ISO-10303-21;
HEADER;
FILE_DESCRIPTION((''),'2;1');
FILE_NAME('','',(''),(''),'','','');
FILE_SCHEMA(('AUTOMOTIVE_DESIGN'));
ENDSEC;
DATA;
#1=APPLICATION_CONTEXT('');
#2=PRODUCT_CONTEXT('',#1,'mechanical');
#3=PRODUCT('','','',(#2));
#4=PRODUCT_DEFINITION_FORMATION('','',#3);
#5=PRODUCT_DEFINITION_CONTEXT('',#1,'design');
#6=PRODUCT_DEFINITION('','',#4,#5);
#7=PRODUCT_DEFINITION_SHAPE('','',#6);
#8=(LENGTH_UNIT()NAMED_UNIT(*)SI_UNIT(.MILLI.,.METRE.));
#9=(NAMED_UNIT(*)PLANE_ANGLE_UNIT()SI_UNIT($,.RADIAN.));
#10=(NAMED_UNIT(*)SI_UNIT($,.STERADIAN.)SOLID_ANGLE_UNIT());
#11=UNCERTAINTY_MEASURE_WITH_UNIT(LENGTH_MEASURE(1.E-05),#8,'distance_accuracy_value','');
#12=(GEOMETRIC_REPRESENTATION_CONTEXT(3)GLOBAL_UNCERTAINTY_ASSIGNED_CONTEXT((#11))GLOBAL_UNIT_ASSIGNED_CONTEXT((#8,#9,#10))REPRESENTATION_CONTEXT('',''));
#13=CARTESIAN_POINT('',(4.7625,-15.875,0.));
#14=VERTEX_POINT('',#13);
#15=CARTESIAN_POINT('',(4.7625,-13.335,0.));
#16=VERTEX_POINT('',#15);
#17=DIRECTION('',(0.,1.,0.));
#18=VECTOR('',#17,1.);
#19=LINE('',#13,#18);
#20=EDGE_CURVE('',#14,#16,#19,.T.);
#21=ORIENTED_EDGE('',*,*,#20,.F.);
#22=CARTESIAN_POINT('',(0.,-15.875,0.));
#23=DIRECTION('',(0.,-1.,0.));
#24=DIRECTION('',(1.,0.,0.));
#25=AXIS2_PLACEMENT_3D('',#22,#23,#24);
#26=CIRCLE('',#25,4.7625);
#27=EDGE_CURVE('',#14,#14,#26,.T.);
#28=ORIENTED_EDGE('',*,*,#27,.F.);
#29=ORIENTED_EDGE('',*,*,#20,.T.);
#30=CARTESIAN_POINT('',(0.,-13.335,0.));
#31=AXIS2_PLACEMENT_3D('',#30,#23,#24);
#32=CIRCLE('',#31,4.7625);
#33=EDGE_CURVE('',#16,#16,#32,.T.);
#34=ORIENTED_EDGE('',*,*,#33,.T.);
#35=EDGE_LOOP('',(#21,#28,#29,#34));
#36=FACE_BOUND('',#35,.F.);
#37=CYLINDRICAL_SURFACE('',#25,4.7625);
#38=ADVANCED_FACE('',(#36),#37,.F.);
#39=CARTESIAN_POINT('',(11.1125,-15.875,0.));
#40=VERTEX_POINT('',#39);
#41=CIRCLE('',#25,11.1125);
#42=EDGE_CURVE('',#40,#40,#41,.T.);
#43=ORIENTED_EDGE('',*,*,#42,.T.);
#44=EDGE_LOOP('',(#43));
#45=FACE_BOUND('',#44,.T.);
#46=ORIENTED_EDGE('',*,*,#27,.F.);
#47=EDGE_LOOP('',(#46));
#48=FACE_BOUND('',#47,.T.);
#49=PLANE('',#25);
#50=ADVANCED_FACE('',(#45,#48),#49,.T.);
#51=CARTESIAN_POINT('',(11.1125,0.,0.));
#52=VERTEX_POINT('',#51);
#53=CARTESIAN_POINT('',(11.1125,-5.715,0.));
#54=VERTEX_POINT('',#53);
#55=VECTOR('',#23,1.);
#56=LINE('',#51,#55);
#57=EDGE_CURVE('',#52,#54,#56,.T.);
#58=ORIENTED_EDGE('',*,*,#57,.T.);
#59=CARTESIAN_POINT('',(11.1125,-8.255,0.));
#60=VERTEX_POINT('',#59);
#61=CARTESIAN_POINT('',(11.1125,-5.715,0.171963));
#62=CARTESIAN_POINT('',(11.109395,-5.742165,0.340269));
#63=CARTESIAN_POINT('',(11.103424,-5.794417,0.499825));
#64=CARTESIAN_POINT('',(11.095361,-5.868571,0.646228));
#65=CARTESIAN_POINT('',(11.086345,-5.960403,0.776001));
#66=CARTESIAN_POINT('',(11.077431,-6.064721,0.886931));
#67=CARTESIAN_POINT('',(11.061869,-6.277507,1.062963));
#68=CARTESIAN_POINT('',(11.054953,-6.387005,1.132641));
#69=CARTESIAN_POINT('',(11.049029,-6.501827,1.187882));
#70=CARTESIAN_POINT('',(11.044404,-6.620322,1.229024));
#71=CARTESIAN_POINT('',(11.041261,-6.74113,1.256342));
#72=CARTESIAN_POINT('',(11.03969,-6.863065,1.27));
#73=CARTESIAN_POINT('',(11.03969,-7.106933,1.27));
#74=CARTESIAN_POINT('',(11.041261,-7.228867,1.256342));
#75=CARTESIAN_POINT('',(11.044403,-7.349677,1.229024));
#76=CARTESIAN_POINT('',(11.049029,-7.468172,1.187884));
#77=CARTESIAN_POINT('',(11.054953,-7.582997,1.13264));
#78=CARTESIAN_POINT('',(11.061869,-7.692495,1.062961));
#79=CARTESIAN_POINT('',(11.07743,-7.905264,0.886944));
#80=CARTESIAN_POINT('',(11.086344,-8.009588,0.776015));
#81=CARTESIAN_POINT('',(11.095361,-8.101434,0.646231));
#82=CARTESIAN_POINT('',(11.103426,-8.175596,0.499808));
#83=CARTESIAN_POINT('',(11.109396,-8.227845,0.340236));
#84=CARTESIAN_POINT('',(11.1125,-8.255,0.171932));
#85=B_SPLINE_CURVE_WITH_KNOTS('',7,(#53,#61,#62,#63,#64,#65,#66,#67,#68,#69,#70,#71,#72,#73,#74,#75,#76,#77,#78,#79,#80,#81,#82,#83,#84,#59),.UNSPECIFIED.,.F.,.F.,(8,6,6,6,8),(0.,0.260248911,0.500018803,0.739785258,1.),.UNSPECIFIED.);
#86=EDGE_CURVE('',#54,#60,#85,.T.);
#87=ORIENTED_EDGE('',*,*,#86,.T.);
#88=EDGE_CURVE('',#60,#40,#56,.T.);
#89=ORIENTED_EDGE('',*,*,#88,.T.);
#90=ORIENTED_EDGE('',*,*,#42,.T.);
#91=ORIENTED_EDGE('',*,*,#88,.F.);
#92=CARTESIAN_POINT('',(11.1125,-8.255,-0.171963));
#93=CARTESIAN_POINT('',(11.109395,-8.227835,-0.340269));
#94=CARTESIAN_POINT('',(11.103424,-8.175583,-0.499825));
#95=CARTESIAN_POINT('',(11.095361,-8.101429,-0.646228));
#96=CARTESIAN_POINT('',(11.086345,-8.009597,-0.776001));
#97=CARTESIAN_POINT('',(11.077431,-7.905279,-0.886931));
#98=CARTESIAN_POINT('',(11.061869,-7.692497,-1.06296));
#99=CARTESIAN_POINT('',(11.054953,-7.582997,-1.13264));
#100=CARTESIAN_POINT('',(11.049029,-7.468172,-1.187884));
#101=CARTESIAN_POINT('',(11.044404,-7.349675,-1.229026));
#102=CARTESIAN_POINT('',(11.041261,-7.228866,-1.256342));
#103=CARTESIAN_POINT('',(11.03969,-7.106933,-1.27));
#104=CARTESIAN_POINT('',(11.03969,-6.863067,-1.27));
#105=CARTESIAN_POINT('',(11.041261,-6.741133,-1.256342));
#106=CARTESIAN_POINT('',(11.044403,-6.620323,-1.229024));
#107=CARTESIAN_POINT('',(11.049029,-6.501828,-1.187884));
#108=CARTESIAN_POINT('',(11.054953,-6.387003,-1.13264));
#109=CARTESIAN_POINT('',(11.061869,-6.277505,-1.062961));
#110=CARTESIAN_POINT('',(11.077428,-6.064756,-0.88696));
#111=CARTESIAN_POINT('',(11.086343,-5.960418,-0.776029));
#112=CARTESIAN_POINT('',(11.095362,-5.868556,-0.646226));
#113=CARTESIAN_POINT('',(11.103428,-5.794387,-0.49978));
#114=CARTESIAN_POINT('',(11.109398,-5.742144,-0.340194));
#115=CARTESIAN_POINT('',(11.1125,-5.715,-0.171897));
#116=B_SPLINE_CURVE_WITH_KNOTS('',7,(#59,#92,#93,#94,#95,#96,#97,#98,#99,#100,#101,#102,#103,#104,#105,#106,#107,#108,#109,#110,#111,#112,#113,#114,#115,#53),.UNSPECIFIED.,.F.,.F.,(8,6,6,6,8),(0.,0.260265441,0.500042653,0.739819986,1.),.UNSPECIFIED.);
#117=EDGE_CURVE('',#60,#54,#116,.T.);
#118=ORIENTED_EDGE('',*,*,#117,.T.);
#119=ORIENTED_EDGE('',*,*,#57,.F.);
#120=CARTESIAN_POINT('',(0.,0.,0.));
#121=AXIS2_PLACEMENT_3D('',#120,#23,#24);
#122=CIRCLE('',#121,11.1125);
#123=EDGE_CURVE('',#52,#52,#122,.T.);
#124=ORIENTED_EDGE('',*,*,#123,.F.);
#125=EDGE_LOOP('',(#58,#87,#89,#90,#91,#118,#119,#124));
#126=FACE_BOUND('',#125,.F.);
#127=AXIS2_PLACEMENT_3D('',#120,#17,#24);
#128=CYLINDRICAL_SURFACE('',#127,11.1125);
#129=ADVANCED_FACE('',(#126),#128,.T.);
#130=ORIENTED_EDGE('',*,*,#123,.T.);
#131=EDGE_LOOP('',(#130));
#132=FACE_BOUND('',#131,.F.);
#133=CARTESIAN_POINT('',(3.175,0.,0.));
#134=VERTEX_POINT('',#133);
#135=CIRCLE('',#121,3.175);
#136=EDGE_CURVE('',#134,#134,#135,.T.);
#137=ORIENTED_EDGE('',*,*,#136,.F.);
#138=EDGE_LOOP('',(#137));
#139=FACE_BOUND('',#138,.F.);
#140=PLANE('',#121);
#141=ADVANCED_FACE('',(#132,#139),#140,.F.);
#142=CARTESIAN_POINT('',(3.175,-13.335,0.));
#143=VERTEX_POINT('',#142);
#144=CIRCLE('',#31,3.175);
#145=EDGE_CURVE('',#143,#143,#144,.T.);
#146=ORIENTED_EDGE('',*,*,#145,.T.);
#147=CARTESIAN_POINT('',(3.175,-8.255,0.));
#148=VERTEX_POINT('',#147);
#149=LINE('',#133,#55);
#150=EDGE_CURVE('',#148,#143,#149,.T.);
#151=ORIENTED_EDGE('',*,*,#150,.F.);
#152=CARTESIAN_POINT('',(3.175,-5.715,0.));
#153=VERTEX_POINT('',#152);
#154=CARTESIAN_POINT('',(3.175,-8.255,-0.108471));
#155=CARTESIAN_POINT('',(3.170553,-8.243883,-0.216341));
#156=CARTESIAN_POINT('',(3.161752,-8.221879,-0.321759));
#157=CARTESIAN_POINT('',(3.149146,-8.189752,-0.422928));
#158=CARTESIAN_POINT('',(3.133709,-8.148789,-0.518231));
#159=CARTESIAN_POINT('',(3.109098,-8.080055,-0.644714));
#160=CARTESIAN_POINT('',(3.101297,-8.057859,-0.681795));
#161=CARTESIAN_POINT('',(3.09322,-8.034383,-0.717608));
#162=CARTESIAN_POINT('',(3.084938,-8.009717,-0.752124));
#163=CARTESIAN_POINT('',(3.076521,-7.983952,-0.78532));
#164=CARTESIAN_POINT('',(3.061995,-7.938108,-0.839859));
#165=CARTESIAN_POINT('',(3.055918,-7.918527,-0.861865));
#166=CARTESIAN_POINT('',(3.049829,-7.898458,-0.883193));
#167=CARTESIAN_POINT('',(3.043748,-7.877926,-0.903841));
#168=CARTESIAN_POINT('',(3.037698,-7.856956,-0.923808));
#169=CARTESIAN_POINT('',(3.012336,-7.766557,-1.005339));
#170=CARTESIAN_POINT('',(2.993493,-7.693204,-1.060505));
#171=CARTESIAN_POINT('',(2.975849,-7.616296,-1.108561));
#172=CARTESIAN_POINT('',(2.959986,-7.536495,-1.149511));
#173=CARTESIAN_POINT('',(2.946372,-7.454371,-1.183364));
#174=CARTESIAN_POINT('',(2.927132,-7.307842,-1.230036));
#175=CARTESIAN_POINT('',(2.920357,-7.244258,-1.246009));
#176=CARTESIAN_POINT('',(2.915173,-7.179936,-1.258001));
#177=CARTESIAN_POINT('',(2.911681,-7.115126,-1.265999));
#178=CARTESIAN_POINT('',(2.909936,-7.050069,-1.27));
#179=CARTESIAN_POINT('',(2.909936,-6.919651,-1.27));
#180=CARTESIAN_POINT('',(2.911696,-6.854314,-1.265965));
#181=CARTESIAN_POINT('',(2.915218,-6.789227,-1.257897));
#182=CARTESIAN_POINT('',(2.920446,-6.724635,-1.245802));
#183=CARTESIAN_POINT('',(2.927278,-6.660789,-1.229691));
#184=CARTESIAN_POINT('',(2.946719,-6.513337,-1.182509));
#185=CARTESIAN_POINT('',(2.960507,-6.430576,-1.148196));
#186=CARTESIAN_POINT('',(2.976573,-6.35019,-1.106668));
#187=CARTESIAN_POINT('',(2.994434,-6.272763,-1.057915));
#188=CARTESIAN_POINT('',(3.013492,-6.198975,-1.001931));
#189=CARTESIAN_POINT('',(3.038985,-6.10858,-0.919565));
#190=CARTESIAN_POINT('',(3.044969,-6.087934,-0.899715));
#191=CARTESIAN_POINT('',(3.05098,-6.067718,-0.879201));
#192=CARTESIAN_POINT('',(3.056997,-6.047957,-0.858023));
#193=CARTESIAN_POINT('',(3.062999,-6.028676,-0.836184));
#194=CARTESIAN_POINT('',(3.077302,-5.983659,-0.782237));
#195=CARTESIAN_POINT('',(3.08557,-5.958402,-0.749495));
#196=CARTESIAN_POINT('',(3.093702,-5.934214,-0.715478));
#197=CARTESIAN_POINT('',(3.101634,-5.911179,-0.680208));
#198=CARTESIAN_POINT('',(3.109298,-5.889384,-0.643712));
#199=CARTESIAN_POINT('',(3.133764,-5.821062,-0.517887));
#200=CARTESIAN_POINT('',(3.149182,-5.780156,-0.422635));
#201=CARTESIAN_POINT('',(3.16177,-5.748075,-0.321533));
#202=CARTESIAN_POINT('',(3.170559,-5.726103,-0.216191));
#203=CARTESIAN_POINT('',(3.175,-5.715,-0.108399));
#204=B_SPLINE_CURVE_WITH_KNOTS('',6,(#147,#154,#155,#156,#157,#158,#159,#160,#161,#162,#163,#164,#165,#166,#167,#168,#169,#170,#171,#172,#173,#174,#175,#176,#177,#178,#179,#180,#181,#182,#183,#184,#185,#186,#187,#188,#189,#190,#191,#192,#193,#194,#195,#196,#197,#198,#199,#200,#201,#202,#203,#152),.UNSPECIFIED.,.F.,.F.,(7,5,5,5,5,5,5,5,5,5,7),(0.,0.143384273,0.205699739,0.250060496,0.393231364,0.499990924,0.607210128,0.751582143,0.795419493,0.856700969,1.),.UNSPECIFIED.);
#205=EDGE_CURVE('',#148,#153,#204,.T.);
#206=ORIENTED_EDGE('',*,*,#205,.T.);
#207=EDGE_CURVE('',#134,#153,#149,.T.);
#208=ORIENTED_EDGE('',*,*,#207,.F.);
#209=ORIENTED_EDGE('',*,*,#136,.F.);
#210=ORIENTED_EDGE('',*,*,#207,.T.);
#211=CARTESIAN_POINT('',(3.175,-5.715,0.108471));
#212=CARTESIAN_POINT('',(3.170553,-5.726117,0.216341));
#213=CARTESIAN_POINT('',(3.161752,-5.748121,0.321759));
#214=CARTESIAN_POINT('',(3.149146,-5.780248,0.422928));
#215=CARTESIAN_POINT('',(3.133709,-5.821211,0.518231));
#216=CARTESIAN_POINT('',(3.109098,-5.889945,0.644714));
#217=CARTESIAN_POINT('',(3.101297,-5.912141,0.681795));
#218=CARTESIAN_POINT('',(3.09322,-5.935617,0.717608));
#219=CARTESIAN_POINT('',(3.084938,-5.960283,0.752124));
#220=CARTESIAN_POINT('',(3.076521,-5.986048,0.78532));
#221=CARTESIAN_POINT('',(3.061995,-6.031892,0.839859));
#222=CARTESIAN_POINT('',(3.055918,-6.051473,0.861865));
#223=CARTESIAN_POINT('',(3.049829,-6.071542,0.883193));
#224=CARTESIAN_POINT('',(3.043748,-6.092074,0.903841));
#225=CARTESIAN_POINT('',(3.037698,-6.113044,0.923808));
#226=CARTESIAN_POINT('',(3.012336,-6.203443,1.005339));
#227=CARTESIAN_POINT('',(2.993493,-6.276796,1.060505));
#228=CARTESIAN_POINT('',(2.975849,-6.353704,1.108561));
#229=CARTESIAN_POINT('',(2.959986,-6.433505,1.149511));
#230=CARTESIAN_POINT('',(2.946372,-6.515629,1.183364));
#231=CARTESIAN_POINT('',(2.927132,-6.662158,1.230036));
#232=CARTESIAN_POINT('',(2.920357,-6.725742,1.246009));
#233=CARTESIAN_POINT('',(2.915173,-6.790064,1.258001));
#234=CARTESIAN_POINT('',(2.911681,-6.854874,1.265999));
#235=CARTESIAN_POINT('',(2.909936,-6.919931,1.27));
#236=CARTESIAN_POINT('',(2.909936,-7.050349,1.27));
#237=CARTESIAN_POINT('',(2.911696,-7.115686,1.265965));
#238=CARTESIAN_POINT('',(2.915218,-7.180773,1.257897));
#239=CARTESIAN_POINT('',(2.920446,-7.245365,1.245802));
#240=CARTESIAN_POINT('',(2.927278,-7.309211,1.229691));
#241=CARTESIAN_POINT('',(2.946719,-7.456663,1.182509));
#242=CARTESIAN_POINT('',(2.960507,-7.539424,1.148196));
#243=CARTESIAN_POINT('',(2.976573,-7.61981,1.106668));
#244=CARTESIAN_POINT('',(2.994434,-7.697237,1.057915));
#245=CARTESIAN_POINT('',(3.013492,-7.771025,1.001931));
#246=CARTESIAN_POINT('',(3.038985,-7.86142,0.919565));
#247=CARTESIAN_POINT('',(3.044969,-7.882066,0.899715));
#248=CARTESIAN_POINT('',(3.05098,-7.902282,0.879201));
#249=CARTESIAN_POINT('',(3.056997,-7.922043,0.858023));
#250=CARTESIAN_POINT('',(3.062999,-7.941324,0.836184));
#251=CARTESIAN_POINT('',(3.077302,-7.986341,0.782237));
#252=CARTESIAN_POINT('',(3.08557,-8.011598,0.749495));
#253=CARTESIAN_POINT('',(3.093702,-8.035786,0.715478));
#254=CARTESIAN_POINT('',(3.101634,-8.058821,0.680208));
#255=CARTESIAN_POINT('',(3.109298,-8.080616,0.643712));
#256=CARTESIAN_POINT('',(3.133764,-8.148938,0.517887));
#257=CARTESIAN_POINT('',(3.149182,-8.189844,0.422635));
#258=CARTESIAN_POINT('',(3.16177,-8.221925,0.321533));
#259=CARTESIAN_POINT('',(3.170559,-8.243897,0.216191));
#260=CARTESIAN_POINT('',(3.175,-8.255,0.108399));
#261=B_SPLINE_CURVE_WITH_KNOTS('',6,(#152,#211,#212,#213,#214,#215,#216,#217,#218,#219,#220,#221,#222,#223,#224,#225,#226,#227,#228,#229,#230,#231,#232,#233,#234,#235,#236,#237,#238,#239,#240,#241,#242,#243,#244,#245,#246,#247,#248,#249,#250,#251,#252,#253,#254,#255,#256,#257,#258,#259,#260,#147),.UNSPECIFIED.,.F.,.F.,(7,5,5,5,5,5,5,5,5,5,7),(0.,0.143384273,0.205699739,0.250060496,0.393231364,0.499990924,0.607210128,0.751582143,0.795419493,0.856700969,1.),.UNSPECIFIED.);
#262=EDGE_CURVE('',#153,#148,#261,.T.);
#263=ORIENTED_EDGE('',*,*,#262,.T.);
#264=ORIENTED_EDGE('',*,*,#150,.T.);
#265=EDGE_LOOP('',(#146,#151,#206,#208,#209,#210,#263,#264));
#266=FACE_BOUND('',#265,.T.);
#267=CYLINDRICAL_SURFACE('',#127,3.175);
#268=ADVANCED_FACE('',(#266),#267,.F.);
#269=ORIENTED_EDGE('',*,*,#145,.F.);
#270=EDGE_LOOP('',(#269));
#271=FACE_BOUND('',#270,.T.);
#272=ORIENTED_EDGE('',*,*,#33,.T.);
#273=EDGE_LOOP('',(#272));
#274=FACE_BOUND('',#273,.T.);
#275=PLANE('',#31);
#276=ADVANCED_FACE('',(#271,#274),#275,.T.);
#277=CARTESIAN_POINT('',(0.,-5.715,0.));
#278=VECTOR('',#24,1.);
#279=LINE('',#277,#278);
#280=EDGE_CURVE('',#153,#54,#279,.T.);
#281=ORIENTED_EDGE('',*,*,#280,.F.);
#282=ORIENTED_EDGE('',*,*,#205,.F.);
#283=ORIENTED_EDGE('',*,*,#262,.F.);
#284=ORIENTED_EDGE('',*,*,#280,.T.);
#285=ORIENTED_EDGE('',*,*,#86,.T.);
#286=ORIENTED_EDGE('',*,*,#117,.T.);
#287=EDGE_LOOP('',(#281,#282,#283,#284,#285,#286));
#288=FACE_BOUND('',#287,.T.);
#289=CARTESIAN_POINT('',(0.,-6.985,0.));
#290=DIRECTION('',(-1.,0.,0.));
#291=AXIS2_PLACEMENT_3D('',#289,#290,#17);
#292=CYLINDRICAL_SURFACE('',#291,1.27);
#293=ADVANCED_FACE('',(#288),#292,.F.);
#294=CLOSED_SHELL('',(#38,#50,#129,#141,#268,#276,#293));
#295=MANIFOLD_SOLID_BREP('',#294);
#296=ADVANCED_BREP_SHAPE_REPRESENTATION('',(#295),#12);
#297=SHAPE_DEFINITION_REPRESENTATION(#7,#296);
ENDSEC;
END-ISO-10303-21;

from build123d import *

# Parameters (mm, degrees)
F0_R     = 11.1125
F0_R_2   = 3.175
F1_DEPTH = 15.875
F2_R     = 4.7625
F2_R_2   = 3.175
F3_DEPTH = 2.54
F4_R     = 1.27
F5_DEPTH = 11.1135


with BuildPart() as f1:
    # F0 (on Front) → F1 (new body)
    with BuildSketch(Plane.XZ):
        Circle(F0_R)
        Circle(F0_R_2, mode=Mode.SUBTRACT)
    extrude(amount=F1_DEPTH)

    # F2 (on face) → F3 (cut)
    with BuildSketch(Plane.XZ.offset(15.875)):
        Circle(F2_R)
        Circle(F2_R_2, mode=Mode.SUBTRACT)
    extrude(amount=-F3_DEPTH, mode=Mode.SUBTRACT)

    # F4 (on Right) → F5 (cut, through all)
    with BuildSketch(Plane.YZ):
        with Locations((-6.985, 0)):
            Circle(F4_R)
    extrude(amount=F5_DEPTH, mode=Mode.SUBTRACT)


solid = f1.part
